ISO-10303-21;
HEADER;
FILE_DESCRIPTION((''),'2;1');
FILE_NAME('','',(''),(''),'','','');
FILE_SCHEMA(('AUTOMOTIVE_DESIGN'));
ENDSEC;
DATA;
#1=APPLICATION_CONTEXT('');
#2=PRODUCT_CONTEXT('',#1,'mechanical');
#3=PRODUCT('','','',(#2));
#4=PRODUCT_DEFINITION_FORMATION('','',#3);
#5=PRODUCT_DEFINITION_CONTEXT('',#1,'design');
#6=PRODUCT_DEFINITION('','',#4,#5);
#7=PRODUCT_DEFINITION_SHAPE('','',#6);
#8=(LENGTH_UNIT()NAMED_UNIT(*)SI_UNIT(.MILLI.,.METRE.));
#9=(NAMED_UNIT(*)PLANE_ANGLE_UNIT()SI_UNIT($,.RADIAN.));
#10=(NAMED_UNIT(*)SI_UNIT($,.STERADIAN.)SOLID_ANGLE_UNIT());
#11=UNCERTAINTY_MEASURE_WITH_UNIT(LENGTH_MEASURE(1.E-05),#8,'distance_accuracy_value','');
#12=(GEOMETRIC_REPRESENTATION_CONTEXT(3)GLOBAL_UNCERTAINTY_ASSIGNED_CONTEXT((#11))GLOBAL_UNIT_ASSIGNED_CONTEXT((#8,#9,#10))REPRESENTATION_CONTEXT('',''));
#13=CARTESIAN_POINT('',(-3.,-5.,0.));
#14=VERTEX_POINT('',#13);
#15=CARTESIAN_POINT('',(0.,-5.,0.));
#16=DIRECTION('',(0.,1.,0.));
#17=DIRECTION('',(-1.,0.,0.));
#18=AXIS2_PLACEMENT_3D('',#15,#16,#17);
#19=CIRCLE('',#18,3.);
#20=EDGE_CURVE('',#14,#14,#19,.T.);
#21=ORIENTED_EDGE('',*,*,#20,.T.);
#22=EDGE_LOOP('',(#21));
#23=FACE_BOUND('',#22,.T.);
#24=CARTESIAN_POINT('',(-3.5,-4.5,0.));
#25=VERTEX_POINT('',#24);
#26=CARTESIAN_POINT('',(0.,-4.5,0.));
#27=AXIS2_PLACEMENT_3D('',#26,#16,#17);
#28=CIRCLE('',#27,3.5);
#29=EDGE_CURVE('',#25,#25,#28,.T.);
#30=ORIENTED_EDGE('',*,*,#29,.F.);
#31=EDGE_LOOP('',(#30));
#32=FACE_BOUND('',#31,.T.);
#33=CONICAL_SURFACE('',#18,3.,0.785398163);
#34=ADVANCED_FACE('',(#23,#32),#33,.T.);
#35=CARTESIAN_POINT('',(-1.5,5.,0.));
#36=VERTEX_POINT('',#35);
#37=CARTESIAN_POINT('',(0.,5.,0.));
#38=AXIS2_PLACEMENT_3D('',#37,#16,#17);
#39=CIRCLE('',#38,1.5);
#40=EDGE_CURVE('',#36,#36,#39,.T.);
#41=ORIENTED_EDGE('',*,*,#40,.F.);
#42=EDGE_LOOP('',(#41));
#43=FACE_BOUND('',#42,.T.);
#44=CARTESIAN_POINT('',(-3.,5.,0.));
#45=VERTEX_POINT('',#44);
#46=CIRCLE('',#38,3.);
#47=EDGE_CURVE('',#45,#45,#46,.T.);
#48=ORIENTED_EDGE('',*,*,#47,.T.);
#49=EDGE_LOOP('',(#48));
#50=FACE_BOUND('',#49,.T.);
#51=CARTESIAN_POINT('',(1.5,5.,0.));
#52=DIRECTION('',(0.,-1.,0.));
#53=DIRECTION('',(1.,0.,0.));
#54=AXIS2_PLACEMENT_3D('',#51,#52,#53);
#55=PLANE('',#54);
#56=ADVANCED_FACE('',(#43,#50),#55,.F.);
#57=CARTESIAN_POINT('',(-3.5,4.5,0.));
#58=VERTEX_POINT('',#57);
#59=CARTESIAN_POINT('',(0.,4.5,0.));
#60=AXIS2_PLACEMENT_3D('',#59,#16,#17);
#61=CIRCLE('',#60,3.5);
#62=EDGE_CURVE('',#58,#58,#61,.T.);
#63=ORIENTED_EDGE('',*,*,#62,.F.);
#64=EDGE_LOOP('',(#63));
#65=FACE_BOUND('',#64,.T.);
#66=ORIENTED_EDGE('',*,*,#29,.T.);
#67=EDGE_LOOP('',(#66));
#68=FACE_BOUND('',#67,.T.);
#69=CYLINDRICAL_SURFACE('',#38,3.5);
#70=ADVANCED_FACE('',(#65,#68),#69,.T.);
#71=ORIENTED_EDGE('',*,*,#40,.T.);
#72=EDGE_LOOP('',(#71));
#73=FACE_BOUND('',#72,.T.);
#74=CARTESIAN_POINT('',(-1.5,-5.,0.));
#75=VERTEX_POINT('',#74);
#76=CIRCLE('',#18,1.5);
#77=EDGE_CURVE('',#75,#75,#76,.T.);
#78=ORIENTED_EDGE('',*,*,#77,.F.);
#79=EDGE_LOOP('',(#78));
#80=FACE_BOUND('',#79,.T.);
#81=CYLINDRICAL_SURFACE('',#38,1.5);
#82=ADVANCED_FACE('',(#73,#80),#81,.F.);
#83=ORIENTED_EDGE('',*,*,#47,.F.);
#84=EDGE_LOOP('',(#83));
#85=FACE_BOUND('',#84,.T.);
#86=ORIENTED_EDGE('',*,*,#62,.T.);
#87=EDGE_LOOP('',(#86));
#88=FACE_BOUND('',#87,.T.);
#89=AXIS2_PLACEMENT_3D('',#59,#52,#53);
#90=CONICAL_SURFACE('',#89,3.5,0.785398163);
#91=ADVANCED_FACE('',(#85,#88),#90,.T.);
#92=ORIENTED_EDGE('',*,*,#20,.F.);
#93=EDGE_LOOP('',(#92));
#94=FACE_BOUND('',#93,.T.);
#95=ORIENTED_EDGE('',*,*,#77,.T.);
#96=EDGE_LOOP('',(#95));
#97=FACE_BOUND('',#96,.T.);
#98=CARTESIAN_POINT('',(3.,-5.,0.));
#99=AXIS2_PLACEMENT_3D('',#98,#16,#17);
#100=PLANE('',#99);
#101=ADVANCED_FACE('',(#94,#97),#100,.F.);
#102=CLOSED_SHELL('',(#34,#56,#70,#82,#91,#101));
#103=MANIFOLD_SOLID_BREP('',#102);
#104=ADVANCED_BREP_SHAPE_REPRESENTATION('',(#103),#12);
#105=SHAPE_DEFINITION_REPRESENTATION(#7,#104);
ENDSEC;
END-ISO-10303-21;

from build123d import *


with BuildPart() as part:
    # Sketch1 → Revolve1 (revolve)
    with BuildSketch(Plane.XY, mode=Mode.PRIVATE) as revolve1_sk:
        Polygon((1.5, -5), (1.5, 5), (3, 5), (3.5, 4.5), (3.5, -4.5), (3, -5), align=None)
    revolve(revolve1_sk.sketch.rotate(Axis((0, 5, 0), (0, -1, 0)), 180), axis=Axis((0, 5, 0), (0, -1, 0)))


solid = part.part
